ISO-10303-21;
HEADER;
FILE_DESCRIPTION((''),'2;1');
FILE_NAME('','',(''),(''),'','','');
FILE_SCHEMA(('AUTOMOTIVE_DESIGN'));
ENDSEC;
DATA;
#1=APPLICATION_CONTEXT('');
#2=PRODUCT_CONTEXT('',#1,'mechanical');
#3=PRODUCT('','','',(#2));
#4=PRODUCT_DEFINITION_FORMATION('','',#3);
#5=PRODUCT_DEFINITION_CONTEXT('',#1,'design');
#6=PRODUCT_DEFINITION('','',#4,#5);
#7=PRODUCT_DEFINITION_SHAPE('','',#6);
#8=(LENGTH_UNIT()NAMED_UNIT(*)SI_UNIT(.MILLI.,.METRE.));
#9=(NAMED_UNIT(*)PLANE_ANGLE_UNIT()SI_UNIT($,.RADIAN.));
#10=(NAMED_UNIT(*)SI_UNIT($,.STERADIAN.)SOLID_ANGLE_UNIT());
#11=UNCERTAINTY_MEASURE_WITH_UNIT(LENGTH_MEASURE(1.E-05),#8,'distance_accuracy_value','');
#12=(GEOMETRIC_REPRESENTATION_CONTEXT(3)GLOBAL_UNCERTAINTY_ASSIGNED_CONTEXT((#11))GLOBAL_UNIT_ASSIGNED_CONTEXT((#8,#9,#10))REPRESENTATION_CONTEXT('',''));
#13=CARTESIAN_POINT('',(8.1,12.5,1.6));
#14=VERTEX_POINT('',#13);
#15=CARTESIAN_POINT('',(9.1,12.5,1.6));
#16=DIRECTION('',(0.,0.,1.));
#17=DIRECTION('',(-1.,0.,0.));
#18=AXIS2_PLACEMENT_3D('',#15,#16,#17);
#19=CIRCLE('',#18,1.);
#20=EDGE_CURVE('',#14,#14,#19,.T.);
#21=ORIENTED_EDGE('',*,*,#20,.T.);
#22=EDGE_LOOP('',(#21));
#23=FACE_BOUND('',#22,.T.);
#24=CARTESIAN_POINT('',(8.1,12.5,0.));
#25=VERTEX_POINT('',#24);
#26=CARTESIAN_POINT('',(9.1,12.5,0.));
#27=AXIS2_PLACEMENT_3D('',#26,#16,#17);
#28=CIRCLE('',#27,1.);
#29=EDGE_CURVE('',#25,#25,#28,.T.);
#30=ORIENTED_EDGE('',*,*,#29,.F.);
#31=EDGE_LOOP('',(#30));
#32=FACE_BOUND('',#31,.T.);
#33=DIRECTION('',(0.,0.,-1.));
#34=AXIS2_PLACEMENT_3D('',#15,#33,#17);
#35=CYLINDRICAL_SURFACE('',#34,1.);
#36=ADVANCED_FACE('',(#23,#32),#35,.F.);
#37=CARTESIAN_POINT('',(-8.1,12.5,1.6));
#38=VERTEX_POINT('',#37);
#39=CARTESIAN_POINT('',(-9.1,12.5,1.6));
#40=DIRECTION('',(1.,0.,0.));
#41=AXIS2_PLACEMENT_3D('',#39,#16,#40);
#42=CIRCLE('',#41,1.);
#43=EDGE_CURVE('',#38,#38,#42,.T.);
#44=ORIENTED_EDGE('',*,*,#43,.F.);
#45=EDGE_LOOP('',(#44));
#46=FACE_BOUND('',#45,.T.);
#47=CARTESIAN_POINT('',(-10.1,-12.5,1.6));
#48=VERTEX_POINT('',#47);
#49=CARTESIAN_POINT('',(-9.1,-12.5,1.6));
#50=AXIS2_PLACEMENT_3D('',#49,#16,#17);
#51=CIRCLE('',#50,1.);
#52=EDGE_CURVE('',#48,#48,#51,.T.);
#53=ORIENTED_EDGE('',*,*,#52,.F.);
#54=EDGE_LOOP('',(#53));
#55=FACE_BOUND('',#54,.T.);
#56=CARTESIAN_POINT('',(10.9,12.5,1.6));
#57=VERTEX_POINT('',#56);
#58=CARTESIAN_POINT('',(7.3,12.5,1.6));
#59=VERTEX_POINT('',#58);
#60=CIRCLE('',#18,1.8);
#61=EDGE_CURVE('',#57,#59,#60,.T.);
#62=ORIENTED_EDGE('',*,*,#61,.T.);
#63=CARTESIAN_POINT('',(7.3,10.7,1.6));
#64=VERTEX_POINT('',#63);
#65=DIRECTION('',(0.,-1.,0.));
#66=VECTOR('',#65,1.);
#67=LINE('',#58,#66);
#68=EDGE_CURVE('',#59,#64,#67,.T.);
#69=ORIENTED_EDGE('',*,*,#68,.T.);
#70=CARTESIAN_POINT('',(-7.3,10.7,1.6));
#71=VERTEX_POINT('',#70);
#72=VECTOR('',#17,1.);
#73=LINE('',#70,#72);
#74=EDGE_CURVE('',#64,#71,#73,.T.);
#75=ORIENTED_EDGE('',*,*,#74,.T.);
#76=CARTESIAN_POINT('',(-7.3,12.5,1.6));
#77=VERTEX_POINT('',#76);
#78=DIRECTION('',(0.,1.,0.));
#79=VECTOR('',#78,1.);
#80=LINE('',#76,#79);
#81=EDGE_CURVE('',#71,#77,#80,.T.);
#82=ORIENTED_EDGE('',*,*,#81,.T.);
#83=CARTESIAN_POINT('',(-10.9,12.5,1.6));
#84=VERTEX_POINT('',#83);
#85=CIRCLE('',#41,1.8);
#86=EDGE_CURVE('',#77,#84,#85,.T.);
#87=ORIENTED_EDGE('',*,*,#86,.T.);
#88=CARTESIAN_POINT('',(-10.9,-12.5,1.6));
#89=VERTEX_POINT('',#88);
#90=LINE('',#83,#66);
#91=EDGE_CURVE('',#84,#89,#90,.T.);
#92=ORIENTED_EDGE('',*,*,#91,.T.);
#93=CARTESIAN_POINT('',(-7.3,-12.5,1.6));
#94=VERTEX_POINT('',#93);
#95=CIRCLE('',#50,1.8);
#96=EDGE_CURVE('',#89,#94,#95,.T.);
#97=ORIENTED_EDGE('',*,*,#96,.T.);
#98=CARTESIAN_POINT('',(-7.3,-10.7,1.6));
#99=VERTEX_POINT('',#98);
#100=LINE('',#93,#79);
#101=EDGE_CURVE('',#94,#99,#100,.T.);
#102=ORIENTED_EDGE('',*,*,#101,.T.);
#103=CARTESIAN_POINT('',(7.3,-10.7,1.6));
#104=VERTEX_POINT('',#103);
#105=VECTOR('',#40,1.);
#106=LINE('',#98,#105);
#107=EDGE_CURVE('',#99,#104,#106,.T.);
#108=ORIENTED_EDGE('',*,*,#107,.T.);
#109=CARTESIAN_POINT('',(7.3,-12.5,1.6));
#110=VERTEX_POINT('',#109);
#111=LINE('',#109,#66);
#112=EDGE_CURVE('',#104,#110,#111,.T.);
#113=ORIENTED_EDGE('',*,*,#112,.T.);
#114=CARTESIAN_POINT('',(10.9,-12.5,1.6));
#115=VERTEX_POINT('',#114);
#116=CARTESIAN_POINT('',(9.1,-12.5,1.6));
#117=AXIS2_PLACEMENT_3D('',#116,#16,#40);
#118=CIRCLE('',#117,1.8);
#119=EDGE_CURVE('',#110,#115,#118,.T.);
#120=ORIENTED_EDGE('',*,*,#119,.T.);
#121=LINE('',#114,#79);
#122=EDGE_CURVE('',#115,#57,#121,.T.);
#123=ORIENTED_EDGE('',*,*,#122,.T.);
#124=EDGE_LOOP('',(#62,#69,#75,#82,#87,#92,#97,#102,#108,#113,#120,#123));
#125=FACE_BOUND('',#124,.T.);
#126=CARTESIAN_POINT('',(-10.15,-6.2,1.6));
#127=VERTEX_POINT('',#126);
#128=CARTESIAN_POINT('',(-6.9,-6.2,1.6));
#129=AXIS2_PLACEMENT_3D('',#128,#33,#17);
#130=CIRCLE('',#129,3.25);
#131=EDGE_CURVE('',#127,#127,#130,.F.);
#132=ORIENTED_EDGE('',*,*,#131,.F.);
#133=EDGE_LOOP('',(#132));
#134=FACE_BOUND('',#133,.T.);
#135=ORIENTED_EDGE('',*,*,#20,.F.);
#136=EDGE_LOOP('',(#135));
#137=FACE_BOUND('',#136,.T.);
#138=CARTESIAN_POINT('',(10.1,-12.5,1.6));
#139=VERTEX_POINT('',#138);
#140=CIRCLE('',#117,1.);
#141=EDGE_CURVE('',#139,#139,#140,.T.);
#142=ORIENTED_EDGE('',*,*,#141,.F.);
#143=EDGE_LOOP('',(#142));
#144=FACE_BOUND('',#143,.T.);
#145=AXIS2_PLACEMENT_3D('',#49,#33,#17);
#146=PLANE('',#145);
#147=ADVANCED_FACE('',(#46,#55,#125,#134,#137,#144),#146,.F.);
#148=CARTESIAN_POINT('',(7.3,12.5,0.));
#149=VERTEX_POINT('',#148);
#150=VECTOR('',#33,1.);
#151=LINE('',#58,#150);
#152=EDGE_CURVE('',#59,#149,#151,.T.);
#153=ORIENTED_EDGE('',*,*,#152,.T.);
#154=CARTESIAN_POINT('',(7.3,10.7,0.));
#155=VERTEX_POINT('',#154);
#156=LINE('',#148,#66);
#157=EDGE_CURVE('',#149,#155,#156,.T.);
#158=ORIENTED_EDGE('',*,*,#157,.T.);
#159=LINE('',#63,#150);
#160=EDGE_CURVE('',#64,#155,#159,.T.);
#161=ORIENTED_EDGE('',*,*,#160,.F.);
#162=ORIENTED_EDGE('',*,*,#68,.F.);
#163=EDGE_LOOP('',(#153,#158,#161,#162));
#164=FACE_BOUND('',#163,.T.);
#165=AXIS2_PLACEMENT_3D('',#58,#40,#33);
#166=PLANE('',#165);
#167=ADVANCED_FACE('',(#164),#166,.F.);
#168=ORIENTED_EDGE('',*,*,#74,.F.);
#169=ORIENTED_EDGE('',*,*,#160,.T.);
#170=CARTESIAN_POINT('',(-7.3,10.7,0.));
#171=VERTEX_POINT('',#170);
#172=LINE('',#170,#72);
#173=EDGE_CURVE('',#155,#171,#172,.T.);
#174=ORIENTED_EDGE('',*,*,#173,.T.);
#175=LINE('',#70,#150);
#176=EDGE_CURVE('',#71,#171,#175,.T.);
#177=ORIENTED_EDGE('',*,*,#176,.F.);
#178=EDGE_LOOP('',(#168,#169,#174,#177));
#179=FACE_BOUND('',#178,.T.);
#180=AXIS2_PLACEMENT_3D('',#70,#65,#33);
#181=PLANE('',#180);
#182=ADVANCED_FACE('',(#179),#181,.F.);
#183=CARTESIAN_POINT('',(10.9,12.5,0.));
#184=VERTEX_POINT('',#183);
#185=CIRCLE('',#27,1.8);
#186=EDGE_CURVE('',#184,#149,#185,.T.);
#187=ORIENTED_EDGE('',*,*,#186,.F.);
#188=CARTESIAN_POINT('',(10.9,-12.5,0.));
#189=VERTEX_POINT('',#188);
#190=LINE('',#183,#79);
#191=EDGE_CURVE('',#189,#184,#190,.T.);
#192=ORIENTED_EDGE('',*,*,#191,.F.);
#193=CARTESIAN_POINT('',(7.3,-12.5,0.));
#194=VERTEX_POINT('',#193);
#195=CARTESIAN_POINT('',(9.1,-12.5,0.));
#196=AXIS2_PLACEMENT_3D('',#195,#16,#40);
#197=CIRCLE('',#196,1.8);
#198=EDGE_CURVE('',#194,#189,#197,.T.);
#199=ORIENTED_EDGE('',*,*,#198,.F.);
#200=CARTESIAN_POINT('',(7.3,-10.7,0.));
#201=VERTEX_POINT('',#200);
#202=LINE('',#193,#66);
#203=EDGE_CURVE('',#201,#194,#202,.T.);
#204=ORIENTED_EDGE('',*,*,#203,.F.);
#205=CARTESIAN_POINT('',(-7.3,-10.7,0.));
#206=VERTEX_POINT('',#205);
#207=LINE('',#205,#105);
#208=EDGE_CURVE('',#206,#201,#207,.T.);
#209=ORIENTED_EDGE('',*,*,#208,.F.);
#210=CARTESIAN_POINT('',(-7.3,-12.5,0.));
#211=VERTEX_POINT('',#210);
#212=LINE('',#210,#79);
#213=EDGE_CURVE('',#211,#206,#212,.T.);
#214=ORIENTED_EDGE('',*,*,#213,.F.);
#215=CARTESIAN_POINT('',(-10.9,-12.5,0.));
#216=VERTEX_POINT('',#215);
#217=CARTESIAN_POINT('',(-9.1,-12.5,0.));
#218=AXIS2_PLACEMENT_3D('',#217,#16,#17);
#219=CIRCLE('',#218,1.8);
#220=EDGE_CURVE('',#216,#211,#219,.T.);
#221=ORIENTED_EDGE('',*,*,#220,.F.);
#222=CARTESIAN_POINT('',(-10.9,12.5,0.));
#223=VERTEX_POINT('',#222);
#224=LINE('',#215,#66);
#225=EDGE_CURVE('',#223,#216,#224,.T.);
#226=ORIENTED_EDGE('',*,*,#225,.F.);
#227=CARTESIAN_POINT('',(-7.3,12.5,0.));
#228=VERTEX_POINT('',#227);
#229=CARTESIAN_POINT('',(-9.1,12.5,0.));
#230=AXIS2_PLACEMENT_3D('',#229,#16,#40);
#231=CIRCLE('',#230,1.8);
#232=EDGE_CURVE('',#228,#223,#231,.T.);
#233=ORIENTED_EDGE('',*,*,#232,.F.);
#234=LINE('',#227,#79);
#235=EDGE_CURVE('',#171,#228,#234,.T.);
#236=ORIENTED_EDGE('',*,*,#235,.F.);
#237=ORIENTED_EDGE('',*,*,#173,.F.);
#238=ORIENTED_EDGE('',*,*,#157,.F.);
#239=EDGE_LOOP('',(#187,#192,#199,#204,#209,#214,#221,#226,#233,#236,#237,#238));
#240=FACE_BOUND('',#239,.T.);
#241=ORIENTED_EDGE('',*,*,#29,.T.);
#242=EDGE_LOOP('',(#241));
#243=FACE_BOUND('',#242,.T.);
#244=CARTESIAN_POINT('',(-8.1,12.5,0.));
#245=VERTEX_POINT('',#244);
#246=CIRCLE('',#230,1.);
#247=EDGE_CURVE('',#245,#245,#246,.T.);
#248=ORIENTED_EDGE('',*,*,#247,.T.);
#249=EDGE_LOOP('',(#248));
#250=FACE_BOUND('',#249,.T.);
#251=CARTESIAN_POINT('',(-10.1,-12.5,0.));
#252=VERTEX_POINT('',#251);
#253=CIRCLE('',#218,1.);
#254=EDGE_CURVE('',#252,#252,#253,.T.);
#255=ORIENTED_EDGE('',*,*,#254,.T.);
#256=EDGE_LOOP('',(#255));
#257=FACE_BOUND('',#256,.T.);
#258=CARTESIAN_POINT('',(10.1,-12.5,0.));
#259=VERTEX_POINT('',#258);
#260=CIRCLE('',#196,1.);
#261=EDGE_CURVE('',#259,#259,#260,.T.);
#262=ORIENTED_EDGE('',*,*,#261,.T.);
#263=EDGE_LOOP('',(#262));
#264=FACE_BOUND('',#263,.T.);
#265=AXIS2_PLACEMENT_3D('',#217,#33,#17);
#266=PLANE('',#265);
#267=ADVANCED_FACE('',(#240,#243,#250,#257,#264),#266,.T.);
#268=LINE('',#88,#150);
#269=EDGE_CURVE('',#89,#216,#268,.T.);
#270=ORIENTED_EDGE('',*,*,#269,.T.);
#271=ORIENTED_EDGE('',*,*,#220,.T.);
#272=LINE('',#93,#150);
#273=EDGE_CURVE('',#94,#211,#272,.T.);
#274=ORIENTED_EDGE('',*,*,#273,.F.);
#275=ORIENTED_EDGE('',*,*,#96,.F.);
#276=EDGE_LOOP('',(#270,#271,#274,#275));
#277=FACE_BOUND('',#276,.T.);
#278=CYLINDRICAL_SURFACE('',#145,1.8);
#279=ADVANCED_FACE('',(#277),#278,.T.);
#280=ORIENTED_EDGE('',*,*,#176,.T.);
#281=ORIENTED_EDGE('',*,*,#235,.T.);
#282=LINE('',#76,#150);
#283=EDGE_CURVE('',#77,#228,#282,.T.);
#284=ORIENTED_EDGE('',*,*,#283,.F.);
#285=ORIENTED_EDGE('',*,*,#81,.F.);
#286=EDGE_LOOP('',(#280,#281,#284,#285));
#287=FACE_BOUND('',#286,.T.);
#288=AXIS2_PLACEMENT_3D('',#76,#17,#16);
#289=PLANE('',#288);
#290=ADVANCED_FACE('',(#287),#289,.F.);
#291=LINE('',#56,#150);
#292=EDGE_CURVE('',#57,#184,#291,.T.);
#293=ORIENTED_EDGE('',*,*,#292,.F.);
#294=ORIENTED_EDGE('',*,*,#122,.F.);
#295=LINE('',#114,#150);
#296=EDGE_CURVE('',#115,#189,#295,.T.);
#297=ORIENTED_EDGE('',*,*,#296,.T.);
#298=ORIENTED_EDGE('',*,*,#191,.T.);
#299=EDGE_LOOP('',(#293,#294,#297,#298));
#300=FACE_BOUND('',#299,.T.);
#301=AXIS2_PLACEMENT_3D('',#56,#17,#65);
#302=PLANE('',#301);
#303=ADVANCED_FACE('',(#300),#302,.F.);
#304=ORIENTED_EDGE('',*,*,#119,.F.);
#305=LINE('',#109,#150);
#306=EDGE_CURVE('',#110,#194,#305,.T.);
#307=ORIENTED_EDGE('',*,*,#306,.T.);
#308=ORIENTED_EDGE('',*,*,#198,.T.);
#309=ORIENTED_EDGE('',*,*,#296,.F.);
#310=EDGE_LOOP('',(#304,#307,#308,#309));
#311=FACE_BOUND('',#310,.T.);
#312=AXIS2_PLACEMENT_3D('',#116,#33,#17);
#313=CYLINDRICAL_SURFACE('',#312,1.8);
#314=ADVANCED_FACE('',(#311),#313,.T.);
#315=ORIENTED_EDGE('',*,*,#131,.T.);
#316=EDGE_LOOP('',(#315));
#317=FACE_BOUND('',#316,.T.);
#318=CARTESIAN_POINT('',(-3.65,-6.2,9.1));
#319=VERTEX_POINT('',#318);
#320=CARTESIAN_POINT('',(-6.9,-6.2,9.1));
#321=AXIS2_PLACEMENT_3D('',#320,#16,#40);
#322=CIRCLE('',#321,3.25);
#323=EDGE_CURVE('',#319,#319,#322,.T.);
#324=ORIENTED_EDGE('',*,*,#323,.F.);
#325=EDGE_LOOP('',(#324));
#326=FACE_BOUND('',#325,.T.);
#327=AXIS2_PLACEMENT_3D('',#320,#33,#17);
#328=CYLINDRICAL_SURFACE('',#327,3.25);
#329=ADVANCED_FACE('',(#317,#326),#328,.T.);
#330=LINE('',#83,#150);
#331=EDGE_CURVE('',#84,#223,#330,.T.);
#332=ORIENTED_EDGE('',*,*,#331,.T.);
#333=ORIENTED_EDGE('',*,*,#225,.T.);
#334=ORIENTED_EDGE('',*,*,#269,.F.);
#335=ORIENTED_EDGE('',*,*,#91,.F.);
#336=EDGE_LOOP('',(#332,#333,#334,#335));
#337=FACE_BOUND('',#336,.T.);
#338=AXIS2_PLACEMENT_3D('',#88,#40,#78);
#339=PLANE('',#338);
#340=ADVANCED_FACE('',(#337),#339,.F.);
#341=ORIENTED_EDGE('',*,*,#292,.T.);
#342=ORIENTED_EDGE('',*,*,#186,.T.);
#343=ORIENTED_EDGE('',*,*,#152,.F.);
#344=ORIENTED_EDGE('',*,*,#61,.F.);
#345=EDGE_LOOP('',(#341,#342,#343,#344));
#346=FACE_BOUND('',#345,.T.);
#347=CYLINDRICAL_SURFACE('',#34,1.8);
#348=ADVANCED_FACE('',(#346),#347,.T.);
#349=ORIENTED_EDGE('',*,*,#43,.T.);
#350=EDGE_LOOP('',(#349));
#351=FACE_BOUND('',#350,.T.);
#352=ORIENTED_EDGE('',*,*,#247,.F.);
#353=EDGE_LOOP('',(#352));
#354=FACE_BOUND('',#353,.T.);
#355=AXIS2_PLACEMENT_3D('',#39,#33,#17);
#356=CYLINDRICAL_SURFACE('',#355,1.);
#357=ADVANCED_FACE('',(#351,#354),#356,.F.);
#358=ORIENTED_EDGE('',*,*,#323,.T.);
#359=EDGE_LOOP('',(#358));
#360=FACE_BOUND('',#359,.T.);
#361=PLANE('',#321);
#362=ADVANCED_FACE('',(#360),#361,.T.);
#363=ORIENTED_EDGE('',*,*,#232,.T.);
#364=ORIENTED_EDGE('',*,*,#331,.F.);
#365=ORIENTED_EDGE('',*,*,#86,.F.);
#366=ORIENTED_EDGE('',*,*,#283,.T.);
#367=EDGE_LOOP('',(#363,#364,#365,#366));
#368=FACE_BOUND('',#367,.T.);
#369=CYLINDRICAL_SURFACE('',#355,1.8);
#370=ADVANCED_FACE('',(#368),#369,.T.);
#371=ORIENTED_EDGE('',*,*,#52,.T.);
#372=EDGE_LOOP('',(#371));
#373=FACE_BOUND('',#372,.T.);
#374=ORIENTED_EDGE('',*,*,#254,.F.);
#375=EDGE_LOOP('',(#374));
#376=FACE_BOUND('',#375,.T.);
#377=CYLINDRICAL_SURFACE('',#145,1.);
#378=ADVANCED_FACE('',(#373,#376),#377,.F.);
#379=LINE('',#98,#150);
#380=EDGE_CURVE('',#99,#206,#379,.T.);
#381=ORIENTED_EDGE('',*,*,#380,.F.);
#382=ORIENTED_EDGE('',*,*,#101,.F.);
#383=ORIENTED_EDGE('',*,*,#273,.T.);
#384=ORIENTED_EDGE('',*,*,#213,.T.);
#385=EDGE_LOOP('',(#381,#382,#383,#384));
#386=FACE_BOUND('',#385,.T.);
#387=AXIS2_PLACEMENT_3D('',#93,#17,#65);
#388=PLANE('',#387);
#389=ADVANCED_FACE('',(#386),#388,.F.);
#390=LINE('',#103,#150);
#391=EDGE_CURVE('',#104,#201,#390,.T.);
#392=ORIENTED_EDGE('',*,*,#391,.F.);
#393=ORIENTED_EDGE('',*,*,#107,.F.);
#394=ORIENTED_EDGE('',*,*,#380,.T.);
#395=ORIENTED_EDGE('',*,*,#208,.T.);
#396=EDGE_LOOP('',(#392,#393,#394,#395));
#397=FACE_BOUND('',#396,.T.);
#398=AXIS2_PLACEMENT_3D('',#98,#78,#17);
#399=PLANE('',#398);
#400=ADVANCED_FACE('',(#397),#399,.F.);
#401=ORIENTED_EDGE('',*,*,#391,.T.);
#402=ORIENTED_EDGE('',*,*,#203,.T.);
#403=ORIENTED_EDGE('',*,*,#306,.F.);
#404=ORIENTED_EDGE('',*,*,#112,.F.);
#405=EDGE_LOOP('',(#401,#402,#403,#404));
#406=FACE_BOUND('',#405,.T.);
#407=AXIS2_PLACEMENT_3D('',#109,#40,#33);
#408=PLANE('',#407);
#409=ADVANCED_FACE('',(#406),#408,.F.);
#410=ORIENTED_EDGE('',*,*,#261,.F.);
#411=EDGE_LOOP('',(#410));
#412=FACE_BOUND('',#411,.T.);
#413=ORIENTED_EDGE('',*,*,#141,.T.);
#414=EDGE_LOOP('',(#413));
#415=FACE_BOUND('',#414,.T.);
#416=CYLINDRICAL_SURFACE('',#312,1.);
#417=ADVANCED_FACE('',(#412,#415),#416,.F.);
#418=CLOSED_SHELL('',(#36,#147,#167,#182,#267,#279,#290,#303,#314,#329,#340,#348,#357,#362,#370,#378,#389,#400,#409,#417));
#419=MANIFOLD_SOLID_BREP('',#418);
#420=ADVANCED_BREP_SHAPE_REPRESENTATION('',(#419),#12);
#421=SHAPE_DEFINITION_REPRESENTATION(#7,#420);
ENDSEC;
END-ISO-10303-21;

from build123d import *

# Parameters (mm, degrees)
SKETCH1_R           = 1
BOSS_EXTRUDE1_DEPTH = 1.6
SKETCH2_R           = 3.25
BOSS_EXTRUDE2_DEPTH = 7.5


with BuildPart() as part:
    # Sketch1 → Boss-Extrude1 (new body)
    with BuildSketch(Plane.XY):
        with BuildLine():
            Line((-10.9, 10.7), (-10.9, -10.7))
            Line((-10.9, -10.7), (-10.9, -12.5))
            ThreePointArc((-10.9, -12.5), (-9.1, -14.3), (-7.3, -12.5))
            Line((-7.3, -12.5), (-7.3, -10.7))
            Line((-7.3, -10.7), (7.3, -10.7))
            Line((7.3, -10.7), (7.3, -12.5))
            ThreePointArc((7.3, -12.5), (9.1, -14.3), (10.9, -12.5))
            Line((10.9, -12.5), (10.9, -10.7))
            Line((10.9, -10.7), (10.9, 10.7))
            Line((10.9, 10.7), (10.9, 12.5))
            ThreePointArc((10.9, 12.5), (9.1, 14.3), (7.3, 12.5))
            Line((7.3, 12.5), (7.3, 10.7))
            Line((7.3, 10.7), (-7.3, 10.7))
            Line((-7.3, 10.7), (-7.3, 12.5))
            ThreePointArc((-7.3, 12.5), (-9.1, 14.3), (-10.9, 12.5))
            Line((-10.9, 12.5), (-10.9, 10.7))
        make_face()
        with Locations((-9.1, 12.5)):
            Circle(SKETCH1_R, mode=Mode.SUBTRACT)
        with Locations(Location((9.1, 12.5, 0), (0, 0, 180))):
            Circle(SKETCH1_R, mode=Mode.SUBTRACT)
        with Locations((9.1, -12.5)):
            Circle(SKETCH1_R, mode=Mode.SUBTRACT)
        with Locations(Location((-9.1, -12.5, 0), (0, 0, 180))):
            Circle(SKETCH1_R, mode=Mode.SUBTRACT)
    extrude(amount=BOSS_EXTRUDE1_DEPTH)

    # Sketch2 → Boss-Extrude2 (add)
    with BuildSketch(Plane.XY.offset(1.6)):
        with Locations(Location((-6.9, -6.2, 0), (0, 0, 180))):
            Circle(SKETCH2_R)
    extrude(amount=BOSS_EXTRUDE2_DEPTH)


solid = part.part
